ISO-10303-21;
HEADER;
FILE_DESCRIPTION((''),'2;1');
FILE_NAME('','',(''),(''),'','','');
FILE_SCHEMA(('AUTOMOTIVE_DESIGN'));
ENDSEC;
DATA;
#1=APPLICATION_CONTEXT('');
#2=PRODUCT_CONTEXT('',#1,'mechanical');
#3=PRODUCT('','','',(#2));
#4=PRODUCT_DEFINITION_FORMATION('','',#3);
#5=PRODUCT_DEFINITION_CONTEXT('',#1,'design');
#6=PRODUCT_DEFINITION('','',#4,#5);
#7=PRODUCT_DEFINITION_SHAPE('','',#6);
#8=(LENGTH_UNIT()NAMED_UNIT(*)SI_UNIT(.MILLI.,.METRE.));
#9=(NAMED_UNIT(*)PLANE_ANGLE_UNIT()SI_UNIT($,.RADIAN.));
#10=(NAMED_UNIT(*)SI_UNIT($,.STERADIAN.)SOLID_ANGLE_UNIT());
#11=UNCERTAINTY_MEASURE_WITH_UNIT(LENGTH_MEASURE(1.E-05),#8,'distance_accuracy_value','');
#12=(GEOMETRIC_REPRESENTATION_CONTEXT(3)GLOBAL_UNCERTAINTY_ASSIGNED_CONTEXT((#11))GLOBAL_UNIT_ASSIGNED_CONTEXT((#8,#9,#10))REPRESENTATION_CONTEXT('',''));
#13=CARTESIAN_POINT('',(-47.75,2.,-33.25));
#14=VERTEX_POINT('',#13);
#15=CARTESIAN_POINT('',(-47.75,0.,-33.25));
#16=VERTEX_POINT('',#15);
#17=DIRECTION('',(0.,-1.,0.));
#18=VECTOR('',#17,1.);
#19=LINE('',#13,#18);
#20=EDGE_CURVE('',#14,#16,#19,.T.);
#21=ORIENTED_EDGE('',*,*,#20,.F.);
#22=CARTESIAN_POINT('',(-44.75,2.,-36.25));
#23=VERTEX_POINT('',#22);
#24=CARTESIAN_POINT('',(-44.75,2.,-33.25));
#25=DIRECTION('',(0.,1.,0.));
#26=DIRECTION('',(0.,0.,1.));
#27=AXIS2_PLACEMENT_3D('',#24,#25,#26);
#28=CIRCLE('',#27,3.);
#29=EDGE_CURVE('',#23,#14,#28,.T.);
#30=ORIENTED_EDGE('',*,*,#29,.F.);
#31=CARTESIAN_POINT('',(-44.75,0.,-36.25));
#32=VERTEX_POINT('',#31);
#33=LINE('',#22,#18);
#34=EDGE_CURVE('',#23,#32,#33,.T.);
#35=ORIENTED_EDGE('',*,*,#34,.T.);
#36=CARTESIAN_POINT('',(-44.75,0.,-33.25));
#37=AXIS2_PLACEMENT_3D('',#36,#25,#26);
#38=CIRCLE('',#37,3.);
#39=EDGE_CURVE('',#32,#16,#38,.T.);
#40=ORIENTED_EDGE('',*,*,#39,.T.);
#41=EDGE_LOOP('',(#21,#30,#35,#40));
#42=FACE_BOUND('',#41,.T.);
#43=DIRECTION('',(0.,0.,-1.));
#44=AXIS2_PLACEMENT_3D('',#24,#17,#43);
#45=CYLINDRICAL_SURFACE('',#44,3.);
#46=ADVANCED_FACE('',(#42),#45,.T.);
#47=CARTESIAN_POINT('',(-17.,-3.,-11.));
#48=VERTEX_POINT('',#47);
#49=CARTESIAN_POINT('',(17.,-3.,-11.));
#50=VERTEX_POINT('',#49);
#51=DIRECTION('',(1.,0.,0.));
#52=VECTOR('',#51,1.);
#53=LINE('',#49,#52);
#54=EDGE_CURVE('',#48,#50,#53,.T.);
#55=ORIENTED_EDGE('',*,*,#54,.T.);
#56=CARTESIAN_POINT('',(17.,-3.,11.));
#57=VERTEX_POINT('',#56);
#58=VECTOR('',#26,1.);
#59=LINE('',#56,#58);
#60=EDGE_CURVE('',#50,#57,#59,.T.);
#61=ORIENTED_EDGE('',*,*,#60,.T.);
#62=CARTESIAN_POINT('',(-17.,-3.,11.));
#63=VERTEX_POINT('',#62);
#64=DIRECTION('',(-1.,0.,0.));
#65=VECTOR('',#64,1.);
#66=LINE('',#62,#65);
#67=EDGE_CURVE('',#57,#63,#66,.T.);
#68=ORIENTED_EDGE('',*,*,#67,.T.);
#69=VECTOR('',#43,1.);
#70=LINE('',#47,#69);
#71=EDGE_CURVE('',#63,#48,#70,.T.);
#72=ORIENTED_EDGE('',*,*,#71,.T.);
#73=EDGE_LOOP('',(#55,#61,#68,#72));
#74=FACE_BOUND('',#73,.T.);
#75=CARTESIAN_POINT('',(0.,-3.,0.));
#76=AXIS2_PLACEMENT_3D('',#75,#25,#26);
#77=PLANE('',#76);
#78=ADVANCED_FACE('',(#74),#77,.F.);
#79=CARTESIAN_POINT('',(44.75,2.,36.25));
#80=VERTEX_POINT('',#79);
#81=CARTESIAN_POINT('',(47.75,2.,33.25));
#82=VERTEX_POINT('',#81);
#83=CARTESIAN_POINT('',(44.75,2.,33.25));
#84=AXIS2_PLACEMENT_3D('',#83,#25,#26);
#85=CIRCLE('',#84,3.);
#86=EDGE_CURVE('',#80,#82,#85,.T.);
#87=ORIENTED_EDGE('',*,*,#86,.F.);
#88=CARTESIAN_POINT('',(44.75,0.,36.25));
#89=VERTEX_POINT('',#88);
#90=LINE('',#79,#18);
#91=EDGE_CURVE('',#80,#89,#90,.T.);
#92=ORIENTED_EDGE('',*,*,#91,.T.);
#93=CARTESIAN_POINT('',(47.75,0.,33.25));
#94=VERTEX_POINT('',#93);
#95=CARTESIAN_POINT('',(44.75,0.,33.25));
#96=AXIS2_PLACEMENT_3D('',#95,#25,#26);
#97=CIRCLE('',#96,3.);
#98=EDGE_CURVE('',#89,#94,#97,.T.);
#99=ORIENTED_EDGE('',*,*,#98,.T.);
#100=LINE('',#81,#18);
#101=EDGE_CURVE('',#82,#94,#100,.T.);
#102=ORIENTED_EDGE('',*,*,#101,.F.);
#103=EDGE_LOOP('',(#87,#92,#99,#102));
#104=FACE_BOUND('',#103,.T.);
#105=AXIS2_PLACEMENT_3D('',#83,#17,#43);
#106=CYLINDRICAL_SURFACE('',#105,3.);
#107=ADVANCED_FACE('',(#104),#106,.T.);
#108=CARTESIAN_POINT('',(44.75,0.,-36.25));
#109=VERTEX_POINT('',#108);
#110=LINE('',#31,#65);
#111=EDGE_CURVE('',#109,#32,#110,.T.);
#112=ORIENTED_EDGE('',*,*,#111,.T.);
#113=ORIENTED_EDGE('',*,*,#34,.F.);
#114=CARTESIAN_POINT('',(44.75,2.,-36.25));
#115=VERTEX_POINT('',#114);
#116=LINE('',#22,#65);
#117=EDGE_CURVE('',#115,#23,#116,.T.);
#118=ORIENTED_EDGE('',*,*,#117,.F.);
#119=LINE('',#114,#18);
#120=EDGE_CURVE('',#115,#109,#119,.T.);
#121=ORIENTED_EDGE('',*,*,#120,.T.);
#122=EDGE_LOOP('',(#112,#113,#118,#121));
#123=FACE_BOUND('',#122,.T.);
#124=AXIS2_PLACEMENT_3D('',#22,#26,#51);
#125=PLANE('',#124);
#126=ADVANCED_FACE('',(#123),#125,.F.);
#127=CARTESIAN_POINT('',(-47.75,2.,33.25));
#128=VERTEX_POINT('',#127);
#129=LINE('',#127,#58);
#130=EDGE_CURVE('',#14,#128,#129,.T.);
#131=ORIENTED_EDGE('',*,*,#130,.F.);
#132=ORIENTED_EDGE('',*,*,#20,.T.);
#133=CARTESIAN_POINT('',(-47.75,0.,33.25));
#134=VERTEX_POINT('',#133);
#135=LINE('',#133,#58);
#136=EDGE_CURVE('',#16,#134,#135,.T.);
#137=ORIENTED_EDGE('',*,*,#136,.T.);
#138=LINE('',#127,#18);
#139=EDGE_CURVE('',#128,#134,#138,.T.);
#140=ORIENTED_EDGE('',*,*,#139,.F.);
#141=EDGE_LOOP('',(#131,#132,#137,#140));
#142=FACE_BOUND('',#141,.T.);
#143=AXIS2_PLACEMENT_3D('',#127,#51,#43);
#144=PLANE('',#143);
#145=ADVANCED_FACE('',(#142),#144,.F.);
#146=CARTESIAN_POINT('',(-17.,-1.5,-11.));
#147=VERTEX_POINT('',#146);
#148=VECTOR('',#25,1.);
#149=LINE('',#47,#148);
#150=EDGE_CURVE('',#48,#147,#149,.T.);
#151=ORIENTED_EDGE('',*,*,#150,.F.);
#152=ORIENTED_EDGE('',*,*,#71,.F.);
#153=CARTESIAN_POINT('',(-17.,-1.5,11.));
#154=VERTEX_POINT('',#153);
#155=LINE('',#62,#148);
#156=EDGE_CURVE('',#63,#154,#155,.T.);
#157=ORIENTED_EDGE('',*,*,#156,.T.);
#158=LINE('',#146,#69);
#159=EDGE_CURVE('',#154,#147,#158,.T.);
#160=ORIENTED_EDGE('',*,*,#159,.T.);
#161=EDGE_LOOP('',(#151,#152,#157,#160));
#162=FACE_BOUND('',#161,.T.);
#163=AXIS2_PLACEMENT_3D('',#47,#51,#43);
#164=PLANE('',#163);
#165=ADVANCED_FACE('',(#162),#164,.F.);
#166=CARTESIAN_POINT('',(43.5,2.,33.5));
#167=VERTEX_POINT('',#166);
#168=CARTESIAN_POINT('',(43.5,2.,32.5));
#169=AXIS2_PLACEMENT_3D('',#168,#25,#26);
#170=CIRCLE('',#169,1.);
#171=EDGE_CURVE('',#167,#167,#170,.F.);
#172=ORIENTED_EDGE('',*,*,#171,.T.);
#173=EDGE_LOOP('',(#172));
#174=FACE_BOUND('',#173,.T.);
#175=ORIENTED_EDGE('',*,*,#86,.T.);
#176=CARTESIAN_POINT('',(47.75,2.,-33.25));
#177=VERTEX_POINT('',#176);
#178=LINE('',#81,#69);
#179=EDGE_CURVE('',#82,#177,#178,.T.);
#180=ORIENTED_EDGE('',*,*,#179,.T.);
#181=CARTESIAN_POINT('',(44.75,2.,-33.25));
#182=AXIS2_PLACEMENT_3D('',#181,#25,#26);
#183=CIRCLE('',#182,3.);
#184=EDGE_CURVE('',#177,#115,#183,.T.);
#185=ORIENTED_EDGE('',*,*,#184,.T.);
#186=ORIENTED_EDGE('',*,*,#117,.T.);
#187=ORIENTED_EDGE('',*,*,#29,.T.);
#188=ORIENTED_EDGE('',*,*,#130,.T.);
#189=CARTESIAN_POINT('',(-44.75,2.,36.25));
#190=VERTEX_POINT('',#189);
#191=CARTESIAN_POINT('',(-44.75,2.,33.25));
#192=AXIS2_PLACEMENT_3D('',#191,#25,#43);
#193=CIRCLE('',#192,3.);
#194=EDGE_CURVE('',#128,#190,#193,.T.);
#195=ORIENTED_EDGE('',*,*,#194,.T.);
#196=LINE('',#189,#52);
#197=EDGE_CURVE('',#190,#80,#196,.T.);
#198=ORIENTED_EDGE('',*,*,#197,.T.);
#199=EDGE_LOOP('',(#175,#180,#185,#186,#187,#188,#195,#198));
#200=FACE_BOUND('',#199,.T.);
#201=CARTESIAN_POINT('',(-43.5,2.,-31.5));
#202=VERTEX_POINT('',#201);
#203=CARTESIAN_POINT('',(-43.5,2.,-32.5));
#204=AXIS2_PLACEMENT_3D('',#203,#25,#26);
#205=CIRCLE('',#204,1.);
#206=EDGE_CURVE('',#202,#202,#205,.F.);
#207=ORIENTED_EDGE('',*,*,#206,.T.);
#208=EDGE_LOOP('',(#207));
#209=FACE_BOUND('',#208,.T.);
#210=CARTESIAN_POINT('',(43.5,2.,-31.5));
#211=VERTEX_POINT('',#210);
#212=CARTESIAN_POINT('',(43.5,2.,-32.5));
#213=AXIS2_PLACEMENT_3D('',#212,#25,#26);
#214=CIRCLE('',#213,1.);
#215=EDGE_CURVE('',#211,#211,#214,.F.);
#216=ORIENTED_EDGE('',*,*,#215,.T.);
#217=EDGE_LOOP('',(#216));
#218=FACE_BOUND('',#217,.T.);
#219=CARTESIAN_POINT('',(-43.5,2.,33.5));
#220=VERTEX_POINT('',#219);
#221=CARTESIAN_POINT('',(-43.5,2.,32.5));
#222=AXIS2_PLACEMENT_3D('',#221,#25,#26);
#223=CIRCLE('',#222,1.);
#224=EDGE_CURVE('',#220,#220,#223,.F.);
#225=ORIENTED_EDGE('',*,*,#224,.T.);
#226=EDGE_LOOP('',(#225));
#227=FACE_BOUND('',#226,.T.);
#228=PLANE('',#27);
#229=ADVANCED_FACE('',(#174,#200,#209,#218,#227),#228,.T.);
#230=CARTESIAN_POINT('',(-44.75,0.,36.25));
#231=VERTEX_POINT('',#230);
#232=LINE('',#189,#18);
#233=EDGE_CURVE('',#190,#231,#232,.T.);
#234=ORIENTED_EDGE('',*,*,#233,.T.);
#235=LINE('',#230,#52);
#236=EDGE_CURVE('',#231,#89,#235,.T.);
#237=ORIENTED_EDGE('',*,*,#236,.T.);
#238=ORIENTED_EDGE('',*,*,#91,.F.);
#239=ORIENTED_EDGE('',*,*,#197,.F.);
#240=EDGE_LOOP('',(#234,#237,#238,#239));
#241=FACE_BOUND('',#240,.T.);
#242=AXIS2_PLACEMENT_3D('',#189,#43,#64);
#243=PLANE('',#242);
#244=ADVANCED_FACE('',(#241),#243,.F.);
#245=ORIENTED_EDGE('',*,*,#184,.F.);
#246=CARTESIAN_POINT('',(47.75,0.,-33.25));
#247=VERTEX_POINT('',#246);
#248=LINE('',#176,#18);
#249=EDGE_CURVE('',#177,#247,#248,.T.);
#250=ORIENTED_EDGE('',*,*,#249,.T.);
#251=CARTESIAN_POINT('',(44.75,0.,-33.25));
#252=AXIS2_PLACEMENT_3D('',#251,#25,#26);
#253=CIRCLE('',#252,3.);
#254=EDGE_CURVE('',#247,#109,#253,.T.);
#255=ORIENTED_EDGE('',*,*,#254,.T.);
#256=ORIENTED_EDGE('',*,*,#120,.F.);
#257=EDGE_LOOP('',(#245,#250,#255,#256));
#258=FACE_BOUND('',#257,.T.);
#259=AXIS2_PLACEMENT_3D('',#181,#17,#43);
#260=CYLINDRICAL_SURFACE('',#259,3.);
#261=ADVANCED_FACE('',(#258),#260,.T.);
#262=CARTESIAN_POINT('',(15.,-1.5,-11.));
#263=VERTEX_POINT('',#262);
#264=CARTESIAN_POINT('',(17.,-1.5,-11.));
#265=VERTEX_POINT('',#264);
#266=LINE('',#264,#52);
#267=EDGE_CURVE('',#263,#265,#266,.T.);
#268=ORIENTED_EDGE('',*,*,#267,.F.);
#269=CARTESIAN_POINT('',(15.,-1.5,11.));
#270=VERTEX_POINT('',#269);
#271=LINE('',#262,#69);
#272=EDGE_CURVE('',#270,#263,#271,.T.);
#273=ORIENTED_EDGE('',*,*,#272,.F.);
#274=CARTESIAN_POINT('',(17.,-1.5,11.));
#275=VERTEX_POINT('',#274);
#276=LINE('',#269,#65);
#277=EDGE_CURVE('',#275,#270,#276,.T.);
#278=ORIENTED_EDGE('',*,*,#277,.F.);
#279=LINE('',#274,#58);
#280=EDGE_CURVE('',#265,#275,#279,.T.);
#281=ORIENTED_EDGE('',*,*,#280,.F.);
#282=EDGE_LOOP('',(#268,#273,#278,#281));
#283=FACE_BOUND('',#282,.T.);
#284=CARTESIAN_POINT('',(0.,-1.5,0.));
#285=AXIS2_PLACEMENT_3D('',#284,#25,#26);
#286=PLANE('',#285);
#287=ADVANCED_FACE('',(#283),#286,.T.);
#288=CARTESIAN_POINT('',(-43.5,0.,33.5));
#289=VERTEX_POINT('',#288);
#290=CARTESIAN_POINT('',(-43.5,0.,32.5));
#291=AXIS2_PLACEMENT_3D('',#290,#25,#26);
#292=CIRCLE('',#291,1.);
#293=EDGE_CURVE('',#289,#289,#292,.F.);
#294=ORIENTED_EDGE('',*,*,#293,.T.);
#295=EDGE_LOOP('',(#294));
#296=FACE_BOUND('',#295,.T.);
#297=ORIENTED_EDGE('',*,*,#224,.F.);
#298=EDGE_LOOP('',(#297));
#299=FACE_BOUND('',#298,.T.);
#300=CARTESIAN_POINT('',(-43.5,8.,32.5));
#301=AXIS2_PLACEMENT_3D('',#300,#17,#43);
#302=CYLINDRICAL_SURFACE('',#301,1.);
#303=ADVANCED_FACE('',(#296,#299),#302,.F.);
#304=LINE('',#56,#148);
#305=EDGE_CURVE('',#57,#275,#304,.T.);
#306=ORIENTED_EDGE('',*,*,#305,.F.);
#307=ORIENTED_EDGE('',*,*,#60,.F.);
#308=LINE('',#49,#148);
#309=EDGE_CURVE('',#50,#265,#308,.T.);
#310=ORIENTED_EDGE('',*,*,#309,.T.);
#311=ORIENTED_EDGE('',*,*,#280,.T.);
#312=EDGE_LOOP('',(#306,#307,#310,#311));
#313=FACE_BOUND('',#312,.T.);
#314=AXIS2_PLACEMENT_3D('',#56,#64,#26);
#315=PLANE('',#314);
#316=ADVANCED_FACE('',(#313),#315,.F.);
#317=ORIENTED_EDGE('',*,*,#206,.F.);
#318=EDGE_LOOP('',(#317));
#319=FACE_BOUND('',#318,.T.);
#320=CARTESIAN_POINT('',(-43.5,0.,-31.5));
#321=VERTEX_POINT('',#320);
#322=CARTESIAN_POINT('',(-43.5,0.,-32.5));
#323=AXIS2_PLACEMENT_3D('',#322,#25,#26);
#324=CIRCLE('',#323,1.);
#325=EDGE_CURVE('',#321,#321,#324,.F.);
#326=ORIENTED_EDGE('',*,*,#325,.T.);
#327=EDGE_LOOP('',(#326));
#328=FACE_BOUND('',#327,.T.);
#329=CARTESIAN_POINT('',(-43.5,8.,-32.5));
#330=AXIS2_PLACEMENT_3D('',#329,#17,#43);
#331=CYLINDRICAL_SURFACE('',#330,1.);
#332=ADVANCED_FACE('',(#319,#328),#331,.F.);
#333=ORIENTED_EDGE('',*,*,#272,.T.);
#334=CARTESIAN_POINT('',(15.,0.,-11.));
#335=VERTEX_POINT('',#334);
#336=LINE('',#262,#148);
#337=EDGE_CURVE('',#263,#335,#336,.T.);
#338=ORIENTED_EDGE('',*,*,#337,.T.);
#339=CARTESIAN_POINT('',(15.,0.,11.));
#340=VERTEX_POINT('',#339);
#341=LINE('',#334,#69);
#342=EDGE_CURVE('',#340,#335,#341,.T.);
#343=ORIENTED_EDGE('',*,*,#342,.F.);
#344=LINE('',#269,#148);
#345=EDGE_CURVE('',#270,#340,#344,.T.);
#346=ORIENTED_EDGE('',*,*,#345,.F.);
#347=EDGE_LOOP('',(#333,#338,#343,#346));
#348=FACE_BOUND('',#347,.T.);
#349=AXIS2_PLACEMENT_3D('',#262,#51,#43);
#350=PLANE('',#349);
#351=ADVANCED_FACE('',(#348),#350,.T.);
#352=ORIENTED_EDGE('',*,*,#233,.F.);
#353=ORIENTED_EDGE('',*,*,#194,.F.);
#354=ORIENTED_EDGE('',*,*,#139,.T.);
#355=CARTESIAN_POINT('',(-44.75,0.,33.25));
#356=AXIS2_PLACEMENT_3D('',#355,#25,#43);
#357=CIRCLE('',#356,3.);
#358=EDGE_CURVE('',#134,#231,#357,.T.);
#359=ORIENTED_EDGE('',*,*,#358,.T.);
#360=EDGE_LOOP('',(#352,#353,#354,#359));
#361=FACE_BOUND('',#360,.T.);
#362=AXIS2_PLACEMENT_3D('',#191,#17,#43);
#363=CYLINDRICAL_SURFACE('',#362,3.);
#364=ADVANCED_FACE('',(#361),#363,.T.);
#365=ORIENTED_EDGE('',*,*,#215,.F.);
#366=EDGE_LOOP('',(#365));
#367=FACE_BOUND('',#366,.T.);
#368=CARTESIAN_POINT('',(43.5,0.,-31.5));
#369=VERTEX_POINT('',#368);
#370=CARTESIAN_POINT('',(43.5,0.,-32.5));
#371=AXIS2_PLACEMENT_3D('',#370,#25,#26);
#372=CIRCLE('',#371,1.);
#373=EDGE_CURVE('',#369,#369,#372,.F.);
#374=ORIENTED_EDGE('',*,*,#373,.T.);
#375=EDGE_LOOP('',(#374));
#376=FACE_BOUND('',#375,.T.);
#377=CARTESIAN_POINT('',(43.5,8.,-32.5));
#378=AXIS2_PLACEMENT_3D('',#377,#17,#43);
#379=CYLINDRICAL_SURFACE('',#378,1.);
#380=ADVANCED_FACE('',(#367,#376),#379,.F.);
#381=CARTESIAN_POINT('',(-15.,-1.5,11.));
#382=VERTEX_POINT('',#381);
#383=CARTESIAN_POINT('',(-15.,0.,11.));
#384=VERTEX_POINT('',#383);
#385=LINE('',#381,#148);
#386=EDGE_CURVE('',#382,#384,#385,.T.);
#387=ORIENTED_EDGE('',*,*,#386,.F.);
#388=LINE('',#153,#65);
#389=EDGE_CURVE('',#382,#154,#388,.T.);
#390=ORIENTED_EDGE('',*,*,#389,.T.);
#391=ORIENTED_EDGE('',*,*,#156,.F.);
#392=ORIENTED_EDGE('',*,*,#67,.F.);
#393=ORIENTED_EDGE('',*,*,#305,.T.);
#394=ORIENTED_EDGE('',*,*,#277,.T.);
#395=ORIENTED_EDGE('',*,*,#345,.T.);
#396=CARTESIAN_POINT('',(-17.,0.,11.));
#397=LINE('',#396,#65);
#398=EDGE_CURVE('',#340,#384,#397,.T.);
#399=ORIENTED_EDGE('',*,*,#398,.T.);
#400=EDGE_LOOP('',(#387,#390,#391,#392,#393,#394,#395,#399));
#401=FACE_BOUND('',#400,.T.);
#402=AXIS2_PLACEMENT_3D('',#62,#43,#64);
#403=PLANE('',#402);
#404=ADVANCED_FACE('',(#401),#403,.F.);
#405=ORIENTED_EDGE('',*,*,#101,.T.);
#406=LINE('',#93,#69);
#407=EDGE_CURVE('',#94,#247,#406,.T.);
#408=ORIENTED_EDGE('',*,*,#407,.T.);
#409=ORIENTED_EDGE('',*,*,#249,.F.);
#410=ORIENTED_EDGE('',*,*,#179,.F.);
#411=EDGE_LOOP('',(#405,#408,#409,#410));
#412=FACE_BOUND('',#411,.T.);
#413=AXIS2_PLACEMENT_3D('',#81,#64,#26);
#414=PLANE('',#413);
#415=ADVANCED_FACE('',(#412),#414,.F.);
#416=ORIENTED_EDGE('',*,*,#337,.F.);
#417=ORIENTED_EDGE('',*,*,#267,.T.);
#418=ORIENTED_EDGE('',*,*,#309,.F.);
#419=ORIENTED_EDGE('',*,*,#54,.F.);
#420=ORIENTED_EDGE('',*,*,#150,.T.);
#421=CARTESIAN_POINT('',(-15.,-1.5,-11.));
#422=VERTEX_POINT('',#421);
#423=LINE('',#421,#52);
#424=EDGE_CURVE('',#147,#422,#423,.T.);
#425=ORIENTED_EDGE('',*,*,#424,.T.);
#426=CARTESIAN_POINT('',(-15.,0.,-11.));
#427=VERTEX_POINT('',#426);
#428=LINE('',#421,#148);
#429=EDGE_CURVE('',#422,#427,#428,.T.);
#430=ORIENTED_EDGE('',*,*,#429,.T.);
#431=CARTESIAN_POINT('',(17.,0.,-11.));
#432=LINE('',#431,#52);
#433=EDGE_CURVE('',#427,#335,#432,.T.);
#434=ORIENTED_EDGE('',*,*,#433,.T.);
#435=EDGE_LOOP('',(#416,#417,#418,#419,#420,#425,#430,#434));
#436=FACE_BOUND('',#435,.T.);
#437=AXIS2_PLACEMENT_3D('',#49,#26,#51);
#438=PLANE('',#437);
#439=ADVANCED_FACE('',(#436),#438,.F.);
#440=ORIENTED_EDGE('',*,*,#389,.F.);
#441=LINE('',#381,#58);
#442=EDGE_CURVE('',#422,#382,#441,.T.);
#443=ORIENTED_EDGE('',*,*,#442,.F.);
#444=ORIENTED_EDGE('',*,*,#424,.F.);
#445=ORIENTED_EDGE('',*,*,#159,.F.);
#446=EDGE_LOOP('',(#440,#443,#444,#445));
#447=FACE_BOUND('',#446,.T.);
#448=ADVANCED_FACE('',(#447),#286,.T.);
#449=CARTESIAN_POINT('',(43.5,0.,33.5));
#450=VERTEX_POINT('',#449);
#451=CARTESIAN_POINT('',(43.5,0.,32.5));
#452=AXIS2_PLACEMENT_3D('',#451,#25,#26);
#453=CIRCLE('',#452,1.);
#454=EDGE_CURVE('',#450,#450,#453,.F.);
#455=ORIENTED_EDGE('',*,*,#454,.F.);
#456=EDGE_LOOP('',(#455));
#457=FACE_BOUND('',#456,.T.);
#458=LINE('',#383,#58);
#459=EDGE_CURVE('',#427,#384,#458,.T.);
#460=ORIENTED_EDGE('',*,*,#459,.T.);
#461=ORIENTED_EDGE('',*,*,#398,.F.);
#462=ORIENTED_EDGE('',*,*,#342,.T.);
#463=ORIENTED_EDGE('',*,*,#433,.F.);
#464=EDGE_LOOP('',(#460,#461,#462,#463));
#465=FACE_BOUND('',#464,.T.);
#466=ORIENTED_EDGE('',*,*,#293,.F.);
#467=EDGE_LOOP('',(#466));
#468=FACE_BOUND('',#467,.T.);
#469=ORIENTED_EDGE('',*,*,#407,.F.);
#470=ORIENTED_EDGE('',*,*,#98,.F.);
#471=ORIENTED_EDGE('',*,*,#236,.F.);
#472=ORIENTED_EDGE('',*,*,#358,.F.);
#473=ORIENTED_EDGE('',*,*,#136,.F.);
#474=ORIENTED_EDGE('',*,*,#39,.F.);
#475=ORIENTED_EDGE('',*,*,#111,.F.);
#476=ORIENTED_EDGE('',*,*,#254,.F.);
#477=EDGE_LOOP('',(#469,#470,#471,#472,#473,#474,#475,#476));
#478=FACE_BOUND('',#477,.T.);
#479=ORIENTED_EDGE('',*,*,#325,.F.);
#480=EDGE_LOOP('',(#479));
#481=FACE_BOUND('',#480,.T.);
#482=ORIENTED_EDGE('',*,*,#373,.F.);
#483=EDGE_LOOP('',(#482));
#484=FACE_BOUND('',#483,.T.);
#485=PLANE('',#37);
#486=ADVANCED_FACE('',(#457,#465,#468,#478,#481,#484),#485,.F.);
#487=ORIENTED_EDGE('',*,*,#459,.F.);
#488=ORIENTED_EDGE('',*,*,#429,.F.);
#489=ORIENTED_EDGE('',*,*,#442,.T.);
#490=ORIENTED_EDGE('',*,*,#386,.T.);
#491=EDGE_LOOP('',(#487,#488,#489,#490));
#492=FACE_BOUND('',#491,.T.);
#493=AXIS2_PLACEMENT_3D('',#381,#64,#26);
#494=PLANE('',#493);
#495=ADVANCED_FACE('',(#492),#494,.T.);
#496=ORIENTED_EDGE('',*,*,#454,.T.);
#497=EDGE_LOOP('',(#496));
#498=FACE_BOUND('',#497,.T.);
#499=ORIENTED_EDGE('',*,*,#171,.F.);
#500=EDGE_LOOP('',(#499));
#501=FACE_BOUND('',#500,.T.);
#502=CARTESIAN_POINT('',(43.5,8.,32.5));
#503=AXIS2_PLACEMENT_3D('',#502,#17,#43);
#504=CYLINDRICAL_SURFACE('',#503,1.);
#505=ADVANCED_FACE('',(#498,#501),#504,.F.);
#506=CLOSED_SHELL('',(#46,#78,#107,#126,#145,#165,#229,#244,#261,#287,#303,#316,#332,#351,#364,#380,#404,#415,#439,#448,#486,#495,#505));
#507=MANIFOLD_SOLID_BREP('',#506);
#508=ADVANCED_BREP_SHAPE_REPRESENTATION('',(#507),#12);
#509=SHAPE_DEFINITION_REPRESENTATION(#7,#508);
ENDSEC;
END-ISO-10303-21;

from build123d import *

# Parameters (mm, degrees)
EXTRUDE_1_DEPTH          = 2
SKETCH_3_R               = 1
CUT_EXTRUDE_1_DEPTH      = 3
CUT_EXTRUDE_1_DEPTH_BACK = 13
SKETCH_4_W               = 34
SKETCH_4_H               = 22
EXTRUDE_3_DEPTH          = 3
SKETCH_5_W               = 2
SKETCH_5_H               = 22
CUT_EXTRUDE_3_DEPTH      = 1.5


with BuildPart() as part:
    # Эскиз1 → Бобышка-Вытянуть1 (new body)
    with BuildSketch(Plane(origin=(0, 0, 0), x_dir=(1, 0, 0), z_dir=(0, 1, 0))):
        with BuildLine():
            Line((-47.75, -33.25), (-47.75, 33.25))
            ThreePointArc((-47.75, 33.25), (-46.871320344, 35.371320344), (-44.75, 36.25))
            Line((-44.75, 36.25), (44.75, 36.25))
            ThreePointArc((44.75, 36.25), (46.871320344, 35.371320344), (47.75, 33.25))
            Line((47.75, 33.25), (47.75, -33.25))
            ThreePointArc((47.75, -33.25), (46.871320344, -35.371320344), (44.75, -36.25))
            Line((44.75, -36.25), (-44.75, -36.25))
            ThreePointArc((-44.75, -36.25), (-46.871320344, -35.371320344), (-47.75, -33.25))
        make_face()
    extrude(amount=EXTRUDE_1_DEPTH)

    # Эскиз3 → Вырез-Вытянуть1 (cut, two sides)
    with BuildSketch(Plane(origin=(0, 5, 0), x_dir=(1, 0, 0), z_dir=(0, 1, 0))) as cut_extrude_1_sk:
        with Locations((-43.5, 32.5)):
            Circle(SKETCH_3_R)
        with Locations((-43.5, -32.5)):
            Circle(SKETCH_3_R)
        with Locations((43.5, -32.5)):
            Circle(SKETCH_3_R)
        with Locations((43.5, 32.5)):
            Circle(SKETCH_3_R)
    extrude(amount=CUT_EXTRUDE_1_DEPTH, mode=Mode.SUBTRACT)
    extrude(cut_extrude_1_sk.sketch, amount=-CUT_EXTRUDE_1_DEPTH_BACK, mode=Mode.SUBTRACT)

    # Эскиз4 → Бобышка-Вытянуть3 (add)
    with BuildSketch(Plane.XZ):
        Rectangle(SKETCH_4_W, SKETCH_4_H)
    extrude(amount=EXTRUDE_3_DEPTH)

    # Эскиз5 → Вырез-Вытянуть3 (cut)
    with BuildSketch(Plane.XZ):
        with Locations((-16, 0)):
            Rectangle(SKETCH_5_W, SKETCH_5_H)
        with Locations((16, 0)):
            Rectangle(SKETCH_5_W, SKETCH_5_H)
    extrude(amount=CUT_EXTRUDE_3_DEPTH, mode=Mode.SUBTRACT)


solid = part.part
